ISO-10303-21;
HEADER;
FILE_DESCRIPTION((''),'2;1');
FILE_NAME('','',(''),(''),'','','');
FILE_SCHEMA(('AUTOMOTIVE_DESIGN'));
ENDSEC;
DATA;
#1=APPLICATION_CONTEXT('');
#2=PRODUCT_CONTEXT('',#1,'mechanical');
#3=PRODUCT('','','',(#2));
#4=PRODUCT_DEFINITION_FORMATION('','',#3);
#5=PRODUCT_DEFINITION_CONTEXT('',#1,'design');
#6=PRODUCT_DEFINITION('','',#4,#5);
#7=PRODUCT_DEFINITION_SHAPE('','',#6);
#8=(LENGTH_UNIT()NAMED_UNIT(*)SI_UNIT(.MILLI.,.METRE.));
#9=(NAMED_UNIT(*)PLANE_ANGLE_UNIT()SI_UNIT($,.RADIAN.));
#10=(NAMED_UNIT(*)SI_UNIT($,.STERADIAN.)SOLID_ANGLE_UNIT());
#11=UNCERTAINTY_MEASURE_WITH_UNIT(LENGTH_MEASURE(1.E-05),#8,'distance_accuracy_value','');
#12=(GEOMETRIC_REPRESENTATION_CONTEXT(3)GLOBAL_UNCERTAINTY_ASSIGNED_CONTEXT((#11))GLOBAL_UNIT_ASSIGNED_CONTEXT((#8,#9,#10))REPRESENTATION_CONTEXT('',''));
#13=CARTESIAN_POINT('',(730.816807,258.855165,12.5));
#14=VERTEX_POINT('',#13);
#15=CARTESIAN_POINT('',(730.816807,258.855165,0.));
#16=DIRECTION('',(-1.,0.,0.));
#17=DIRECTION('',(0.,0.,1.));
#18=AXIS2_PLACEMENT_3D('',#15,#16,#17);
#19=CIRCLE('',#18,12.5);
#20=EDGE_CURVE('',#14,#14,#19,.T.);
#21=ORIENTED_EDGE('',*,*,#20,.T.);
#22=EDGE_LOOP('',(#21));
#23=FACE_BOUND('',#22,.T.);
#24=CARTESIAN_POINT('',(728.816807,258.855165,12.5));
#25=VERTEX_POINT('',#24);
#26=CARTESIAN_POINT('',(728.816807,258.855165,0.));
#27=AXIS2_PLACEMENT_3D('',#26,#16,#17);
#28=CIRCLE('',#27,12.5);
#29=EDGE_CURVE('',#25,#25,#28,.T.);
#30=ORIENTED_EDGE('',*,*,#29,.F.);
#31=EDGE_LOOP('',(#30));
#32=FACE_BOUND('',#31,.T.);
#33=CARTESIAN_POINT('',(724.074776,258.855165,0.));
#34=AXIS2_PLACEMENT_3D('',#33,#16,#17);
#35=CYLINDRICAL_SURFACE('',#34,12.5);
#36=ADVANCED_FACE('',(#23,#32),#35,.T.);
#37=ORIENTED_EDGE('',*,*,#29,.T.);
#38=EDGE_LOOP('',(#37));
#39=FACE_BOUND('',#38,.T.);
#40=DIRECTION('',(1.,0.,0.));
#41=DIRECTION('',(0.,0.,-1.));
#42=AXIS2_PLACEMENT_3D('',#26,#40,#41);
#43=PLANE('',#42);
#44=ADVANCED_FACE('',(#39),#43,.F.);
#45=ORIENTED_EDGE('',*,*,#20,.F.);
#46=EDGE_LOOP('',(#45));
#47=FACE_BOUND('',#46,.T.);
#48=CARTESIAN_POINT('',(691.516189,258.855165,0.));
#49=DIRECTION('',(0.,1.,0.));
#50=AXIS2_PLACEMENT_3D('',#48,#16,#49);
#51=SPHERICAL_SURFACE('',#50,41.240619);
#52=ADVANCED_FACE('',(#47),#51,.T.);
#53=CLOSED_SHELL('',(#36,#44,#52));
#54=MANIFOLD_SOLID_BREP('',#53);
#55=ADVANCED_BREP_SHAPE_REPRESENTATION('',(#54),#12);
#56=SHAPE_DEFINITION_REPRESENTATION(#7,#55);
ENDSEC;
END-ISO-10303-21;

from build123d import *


with BuildPart() as part:
    # 草图1 → 旋转1 (revolve)
    with BuildSketch(Plane.XY):
        with BuildLine():
            Line((728.816807291, 258.855164799), (728.816807291, 271.355164799))
            Line((728.816807291, 271.355164799), (730.816807291, 271.355164799))
            ThreePointArc((730.816807291, 271.355164799), (732.268921391, 265.179988907), (732.756807291, 258.855164799))
            Line((732.756807291, 258.855164799), (728.816807291, 258.855164799))
        make_face()
    revolve(axis=Axis((724.074776049, 258.855164799, 0), (1, 0, 0)))


solid = part.part
